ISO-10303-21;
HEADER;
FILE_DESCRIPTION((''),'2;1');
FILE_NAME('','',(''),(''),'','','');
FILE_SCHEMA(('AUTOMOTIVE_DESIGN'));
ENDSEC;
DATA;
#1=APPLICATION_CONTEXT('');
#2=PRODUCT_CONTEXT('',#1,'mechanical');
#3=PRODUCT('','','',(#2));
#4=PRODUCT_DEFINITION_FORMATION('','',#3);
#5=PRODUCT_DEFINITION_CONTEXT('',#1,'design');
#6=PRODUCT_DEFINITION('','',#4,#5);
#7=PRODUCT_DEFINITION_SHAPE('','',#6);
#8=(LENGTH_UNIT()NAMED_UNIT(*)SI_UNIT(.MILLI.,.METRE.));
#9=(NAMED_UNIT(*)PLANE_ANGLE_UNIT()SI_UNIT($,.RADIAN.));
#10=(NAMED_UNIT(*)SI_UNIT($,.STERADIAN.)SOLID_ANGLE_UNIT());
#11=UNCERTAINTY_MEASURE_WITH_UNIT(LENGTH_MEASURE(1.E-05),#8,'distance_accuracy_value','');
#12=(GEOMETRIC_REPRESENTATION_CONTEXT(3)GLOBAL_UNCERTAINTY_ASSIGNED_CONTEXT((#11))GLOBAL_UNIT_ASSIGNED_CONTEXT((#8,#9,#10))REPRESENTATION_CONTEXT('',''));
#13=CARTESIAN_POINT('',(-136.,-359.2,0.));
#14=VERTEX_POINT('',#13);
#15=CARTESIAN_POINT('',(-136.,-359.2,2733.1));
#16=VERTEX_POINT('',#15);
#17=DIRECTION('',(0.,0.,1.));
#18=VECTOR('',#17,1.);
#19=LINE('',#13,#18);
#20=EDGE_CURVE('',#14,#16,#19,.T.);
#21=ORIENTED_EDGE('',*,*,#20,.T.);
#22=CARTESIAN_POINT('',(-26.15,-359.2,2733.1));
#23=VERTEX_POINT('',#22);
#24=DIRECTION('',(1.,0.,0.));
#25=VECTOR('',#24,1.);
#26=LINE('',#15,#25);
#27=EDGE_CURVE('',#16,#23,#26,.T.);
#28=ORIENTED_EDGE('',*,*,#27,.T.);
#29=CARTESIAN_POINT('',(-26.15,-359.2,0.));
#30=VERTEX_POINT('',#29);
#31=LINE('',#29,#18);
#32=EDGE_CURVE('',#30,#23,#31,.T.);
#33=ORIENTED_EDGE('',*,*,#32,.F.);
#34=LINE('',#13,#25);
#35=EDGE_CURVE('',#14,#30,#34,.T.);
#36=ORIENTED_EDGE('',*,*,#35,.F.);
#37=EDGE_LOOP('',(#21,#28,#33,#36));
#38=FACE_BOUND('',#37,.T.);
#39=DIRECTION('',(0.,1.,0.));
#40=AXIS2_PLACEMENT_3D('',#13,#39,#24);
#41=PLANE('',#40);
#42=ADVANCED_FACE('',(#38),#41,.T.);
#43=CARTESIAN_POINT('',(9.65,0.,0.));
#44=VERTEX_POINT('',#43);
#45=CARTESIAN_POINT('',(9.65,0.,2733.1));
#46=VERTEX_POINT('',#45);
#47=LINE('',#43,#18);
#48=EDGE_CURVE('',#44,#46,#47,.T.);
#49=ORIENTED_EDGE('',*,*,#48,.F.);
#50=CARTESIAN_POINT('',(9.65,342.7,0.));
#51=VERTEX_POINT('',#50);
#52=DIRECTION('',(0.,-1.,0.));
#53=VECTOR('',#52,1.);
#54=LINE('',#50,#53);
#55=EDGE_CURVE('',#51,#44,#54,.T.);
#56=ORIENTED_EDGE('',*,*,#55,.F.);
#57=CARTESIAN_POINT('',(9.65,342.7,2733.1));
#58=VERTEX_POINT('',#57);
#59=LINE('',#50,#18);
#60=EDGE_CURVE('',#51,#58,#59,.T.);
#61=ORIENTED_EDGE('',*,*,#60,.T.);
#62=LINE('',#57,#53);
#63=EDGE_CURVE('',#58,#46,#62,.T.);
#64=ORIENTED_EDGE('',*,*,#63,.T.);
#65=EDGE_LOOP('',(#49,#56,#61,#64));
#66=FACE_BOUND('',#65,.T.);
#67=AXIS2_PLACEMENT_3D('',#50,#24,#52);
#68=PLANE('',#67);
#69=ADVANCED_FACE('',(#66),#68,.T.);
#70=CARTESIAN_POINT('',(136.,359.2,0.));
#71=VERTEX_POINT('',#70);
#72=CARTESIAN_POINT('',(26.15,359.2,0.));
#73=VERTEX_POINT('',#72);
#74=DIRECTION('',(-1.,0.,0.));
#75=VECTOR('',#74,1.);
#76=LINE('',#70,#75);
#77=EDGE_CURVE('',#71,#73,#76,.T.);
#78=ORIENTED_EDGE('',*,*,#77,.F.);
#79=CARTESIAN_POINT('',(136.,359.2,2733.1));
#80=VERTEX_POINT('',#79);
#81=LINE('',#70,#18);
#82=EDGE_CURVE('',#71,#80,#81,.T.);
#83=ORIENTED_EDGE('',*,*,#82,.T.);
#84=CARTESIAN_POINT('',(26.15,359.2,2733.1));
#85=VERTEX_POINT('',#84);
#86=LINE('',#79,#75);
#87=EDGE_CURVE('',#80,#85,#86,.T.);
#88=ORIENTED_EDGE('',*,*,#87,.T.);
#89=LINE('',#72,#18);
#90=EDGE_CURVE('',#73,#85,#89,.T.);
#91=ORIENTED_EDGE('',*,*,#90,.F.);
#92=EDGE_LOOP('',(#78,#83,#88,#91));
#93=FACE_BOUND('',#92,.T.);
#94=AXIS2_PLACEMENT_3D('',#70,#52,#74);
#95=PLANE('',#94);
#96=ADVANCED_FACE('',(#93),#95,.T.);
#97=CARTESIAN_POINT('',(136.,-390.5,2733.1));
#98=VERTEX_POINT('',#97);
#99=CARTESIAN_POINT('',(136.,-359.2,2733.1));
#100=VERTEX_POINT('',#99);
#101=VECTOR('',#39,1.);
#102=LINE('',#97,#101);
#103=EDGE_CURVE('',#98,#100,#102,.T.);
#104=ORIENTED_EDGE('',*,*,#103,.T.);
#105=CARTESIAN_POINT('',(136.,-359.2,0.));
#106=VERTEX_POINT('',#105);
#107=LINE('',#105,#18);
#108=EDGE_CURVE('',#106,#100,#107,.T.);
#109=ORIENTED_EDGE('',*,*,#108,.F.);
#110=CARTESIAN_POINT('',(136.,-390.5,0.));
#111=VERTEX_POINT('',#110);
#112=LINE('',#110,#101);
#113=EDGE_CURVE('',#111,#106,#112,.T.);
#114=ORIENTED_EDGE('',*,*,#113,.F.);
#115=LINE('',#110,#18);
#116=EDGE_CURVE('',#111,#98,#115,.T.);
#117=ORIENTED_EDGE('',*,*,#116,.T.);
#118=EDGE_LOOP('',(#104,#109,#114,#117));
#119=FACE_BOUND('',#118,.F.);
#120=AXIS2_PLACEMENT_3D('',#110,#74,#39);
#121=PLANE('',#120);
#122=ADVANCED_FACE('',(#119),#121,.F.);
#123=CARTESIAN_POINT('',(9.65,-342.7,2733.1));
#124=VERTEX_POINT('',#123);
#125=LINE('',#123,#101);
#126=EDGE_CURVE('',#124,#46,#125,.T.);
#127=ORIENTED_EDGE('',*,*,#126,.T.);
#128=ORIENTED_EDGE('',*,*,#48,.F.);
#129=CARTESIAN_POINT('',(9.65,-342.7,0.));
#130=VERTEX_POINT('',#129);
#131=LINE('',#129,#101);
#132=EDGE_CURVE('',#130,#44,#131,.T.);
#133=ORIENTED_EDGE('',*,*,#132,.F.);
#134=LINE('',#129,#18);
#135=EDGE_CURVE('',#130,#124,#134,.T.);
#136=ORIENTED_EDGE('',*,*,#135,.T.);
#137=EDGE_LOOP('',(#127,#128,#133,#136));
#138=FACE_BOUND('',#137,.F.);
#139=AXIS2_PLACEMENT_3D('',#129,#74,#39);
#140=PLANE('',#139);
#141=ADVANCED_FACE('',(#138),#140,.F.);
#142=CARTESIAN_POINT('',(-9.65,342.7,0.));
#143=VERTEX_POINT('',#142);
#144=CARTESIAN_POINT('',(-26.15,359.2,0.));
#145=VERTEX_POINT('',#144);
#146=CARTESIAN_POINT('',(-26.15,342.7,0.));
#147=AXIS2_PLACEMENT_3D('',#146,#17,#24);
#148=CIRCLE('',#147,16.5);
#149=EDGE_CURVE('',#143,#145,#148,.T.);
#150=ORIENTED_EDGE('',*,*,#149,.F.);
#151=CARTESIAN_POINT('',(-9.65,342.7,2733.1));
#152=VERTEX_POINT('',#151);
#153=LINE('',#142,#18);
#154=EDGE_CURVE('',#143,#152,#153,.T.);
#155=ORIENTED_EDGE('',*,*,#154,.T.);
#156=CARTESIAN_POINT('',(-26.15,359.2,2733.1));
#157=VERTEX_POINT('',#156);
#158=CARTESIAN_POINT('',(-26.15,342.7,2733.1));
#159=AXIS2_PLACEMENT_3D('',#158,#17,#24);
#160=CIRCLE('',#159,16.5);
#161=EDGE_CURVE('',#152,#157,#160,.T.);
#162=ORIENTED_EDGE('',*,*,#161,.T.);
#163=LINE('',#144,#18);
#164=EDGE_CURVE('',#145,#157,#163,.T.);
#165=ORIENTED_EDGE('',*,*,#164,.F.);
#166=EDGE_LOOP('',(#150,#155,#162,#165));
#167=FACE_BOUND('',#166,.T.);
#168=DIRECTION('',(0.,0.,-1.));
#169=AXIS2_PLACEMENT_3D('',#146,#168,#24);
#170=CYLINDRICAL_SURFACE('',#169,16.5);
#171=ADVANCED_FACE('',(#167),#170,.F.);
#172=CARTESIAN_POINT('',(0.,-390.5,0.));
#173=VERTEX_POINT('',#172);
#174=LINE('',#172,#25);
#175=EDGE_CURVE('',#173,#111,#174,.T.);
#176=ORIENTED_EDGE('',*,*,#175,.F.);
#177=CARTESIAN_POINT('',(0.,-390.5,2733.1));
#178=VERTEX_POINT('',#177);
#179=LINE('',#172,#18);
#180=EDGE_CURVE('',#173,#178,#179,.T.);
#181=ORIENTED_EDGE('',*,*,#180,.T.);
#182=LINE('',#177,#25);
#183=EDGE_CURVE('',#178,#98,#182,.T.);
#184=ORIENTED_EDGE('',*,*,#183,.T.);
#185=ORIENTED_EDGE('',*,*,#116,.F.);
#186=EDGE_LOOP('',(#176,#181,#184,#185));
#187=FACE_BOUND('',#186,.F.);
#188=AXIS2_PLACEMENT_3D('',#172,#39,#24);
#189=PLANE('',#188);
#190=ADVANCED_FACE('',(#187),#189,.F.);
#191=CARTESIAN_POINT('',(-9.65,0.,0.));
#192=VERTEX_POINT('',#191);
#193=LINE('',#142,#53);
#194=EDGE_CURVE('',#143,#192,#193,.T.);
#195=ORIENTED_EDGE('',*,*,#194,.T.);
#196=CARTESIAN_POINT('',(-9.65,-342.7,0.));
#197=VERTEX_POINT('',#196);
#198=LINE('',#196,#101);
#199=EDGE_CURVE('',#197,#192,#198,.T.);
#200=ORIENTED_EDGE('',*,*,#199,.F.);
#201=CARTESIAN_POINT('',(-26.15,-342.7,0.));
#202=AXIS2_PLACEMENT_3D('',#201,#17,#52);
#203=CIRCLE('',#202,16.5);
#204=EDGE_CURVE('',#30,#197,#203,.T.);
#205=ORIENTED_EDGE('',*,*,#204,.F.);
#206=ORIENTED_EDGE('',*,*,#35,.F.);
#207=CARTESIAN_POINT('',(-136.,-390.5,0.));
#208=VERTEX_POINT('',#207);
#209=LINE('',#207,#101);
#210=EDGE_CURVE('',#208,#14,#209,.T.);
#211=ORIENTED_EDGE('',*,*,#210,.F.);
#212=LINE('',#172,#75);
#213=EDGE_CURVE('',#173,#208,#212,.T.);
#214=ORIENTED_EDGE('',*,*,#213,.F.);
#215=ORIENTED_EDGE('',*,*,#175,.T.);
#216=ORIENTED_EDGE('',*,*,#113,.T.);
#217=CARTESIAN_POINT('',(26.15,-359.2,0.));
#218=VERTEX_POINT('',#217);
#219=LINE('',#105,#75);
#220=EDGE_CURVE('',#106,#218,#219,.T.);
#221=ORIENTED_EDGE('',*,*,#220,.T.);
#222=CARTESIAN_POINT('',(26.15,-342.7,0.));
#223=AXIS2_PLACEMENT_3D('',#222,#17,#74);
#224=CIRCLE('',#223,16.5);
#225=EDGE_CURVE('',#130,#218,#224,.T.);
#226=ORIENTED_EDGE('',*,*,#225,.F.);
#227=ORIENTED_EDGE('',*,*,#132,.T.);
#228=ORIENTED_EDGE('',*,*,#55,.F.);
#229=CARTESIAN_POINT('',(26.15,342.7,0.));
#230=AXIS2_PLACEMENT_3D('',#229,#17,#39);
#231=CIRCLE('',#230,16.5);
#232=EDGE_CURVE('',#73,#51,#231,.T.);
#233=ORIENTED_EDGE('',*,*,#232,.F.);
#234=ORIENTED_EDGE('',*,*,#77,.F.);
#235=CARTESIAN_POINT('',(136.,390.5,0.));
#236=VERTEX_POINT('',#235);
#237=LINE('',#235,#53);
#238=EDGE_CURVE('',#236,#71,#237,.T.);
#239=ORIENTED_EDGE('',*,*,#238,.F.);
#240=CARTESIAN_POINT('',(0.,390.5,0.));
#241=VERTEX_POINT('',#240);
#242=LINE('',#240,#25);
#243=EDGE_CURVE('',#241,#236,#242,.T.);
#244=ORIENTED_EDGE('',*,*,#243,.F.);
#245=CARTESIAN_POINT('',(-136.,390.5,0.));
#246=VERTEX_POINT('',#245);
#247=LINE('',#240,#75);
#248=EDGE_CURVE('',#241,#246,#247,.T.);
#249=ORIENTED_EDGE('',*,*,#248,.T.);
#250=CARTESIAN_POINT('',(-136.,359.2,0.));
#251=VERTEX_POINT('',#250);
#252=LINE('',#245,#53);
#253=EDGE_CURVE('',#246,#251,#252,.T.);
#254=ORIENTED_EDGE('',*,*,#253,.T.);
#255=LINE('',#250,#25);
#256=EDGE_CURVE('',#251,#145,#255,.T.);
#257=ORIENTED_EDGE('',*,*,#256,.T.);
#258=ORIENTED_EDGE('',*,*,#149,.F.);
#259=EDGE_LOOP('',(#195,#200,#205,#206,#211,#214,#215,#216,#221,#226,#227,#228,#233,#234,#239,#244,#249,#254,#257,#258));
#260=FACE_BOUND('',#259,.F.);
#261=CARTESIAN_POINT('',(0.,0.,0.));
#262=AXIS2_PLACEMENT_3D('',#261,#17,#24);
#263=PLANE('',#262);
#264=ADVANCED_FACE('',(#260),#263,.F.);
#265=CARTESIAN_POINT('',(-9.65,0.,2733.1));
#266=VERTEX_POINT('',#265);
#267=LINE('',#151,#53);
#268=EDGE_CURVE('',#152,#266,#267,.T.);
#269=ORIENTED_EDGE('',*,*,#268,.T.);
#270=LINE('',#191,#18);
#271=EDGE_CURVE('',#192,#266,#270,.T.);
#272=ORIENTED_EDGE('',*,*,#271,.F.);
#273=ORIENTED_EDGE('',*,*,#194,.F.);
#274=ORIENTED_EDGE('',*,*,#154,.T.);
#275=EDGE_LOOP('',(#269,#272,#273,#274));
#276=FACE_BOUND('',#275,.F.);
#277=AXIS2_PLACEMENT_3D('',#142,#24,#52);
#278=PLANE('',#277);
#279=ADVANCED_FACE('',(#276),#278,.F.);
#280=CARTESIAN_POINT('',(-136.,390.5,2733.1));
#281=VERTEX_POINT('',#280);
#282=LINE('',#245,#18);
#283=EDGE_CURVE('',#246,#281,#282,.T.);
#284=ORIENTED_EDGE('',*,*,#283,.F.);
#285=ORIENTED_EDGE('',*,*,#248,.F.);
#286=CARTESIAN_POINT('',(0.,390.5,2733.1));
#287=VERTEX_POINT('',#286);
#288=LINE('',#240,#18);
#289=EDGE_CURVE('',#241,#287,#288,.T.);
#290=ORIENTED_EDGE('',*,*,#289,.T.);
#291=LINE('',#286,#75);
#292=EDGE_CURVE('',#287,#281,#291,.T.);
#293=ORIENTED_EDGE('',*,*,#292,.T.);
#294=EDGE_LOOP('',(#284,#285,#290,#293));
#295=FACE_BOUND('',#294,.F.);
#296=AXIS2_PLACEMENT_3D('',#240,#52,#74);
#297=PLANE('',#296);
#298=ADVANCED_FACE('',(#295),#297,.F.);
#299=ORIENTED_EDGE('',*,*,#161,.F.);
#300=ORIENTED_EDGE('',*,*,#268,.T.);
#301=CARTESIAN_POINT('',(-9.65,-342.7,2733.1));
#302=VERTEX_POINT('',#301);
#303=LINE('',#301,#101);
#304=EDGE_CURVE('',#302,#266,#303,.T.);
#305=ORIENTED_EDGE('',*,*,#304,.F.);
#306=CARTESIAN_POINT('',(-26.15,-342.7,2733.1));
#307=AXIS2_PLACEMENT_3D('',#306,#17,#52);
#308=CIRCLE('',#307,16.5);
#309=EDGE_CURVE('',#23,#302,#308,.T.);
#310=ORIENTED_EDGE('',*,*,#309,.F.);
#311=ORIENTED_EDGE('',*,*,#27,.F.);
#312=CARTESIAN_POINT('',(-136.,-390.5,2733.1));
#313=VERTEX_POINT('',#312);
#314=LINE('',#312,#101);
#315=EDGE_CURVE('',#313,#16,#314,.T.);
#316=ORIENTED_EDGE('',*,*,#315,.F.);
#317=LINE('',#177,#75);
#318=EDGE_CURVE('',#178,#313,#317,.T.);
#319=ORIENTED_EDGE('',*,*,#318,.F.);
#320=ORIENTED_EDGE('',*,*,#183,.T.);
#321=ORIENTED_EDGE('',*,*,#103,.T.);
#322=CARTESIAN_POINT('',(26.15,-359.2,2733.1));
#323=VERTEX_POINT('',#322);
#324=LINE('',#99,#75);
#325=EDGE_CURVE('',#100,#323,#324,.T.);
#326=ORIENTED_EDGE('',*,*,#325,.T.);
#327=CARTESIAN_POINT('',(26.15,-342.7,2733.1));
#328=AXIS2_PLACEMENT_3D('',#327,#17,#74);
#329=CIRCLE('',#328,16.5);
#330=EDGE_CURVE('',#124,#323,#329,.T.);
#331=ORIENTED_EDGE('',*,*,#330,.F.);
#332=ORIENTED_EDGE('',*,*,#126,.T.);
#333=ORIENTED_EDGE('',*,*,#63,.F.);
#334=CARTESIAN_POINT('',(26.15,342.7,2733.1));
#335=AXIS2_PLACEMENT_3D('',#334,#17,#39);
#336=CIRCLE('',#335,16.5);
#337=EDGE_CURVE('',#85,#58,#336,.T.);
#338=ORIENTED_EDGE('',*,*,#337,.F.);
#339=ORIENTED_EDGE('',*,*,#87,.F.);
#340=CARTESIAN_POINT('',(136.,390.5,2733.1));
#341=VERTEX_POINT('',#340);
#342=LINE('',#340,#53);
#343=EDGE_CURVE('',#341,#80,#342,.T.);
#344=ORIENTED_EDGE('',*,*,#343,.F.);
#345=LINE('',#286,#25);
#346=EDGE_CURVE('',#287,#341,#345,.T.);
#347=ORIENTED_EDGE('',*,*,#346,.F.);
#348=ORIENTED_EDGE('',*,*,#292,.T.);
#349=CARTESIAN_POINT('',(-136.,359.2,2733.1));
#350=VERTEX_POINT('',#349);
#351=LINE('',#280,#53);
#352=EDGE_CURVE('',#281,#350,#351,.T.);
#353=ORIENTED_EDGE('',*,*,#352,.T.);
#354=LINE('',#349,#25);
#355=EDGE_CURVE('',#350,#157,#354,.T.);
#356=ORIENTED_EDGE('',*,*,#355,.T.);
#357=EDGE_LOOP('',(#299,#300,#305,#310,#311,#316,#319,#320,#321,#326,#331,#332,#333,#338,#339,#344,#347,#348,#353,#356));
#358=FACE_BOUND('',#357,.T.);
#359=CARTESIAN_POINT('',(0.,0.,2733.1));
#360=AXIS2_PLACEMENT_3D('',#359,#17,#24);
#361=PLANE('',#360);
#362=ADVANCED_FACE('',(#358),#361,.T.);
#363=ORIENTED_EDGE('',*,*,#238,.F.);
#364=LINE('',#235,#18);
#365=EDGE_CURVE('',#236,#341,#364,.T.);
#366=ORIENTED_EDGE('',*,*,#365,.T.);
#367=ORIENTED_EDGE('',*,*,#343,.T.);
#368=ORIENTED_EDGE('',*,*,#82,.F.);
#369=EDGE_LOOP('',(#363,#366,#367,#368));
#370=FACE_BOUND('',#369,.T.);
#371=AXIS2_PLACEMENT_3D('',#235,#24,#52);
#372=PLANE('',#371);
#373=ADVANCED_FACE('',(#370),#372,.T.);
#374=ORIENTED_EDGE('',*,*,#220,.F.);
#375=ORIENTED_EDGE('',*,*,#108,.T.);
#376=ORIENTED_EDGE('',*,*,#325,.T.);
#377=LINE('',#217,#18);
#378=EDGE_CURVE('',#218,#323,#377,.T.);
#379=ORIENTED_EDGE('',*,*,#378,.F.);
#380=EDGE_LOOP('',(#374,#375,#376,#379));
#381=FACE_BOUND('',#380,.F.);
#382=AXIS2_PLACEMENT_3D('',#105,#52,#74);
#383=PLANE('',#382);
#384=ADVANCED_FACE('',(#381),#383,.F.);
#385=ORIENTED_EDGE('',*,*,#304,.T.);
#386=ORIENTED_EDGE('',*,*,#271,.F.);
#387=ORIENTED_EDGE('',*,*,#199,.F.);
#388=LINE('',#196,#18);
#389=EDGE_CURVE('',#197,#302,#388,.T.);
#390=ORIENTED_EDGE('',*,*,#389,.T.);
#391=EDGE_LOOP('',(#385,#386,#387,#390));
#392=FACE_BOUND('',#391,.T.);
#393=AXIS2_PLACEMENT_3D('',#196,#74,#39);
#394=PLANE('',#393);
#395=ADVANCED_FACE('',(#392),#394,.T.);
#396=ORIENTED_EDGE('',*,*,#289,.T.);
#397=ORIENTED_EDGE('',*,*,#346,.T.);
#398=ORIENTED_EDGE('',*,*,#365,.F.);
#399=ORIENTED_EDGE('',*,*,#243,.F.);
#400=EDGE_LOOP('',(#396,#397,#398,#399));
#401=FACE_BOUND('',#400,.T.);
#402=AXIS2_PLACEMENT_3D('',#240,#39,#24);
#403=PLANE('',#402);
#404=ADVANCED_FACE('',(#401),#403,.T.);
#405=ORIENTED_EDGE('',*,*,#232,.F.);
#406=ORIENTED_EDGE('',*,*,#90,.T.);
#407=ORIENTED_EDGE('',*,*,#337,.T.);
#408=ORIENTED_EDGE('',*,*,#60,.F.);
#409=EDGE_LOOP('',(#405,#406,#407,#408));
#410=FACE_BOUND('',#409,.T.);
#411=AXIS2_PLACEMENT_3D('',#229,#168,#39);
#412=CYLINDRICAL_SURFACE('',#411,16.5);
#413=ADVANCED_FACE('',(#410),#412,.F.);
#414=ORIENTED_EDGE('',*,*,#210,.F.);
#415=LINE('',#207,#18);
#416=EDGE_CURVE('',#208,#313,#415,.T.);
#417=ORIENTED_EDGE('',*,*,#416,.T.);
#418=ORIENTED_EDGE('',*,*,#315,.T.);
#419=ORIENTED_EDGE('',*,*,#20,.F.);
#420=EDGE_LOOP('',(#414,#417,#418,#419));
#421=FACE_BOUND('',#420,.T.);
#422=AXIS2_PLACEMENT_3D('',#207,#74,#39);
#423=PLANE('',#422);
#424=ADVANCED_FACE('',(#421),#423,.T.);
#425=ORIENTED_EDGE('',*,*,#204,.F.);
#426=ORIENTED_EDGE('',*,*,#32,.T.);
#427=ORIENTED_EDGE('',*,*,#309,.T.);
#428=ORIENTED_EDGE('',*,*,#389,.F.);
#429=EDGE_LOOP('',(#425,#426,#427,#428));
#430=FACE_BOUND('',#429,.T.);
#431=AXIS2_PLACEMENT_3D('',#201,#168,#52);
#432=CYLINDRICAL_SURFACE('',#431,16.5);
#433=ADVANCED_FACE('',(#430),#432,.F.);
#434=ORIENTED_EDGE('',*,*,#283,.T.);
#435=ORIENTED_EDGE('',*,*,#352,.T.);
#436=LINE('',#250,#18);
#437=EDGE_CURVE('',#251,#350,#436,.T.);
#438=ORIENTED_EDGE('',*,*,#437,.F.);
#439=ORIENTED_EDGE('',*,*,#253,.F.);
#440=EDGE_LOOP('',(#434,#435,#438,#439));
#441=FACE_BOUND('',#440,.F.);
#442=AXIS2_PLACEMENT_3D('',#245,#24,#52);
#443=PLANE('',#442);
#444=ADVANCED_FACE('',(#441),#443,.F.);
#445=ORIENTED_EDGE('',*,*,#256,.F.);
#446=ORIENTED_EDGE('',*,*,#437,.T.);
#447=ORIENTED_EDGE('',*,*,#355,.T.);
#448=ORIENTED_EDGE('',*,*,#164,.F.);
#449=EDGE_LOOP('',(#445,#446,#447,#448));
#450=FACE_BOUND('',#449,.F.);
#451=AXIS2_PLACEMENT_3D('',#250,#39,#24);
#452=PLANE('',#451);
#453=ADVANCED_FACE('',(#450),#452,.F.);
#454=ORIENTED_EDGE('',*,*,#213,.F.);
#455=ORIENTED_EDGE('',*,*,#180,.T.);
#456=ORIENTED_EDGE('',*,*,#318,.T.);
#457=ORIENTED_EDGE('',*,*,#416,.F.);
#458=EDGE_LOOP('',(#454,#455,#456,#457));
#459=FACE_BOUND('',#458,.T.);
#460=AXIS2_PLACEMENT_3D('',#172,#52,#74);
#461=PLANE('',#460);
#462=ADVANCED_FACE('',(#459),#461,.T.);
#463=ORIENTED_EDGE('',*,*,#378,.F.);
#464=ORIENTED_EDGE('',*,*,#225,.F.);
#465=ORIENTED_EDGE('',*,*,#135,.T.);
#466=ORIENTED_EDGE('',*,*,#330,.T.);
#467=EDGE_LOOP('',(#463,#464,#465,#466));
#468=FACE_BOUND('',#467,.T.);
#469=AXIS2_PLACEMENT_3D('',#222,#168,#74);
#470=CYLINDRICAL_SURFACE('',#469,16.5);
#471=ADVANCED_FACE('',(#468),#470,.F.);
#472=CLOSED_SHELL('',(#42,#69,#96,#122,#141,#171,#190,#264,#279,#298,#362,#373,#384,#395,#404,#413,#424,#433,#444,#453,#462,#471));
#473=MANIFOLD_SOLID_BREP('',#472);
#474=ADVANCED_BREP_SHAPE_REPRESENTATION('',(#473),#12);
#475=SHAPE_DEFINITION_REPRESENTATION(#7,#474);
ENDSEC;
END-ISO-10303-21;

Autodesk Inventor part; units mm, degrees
ref_plane "YZ Plane" through (0, 0, 0) normal (1, 0, 0) x (0, 1, 0)
ref_plane "Start plane" through (0, 0, 0) normal (0, 0, 1) x (1, 0, 0)
ref_plane "End plane" through (0, 0, 2733.1) normal (0, 0, 1) x (1, 0, 0)
sketch "Sketch" plane through (0, 0, 0) normal (0, 0, 1) x (1, 0, 0)
  line L0 (-136, -390.5) -> (-136, -359.2)
  line L1 (-136, -359.2) -> (-26.15, -359.2)
  line L2 (-9.65, -342.7) -> (-9.65, 0)
  line L3 (-9.65, 0) -> (0, 0) construction
  line L4 (0, 0) -> (0, -390.5) construction
  line L5 (0, -390.5) -> (-136, -390.5)
  line L6 (-60, 0) -> (80, 0) construction
  line L7 (0, -60) -> (0, 80) construction
  line L8 (136, -390.5) -> (136, -359.2)
  line L9 (136, -359.2) -> (26.15, -359.2)
  line L10 (9.65, -342.7) -> (9.65, 0)
  line L11 (9.65, 0) -> (0, 0) construction
  line L12 (0, -390.5) -> (136, -390.5)
  line L13 (-136, 390.5) -> (-136, 359.2)
  line L14 (-136, 359.2) -> (-26.15, 359.2)
  line L15 (-9.65, 342.7) -> (-9.65, 0)
  line L16 (0, 390.5) -> (-136, 390.5)
  line L17 (136, 390.5) -> (136, 359.2)
  line L18 (136, 359.2) -> (26.15, 359.2)
  line L19 (0, 390.5) -> (136, 390.5)
  line L20 (9.65, 342.7) -> (9.65, 0)
  arc A0 (-9.65, 342.7) -> (-26.15, 359.2) centre (-26.15, 342.7) ccw
  arc A1 (26.15, 359.2) -> (9.65, 342.7) centre (26.15, 342.7) ccw
  arc A2 (9.65, -342.7) -> (26.15, -359.2) centre (26.15, -342.7) ccw
  arc A3 (-26.15, -359.2) -> (-9.65, -342.7) centre (-26.15, -342.7) ccw
  line L21 (0, 108) -> (0, -88) construction
  line L22 (-88, 0) -> (108, 0) construction
  point P0 (-9.65, -359.2)
  point P1 (9.65, -359.2)
  point P2 (-9.65, 359.2)
  point P3 (9.65, 359.2)
  dimension "d1" = 390.5
  dimension "d2" = 31.3
  dimension "d3" = 136
  dimension "d4" = 9.65
  dimension "d10" = 16.5
extrude "Body" add sketch "Sketch" along normal up to surface (2733.1 mm away) from surface at 0
sketch "Sketch4" plane through (0, 0, 0) normal (0, 0, 1) x (1, 0, 0)
  line L0 (0, 0) -> (10, 0)
ref_plane "Work Plane3" through (0, 0, 0) normal (0, -1, 0) x (1, 0, 0)
sketch "Sketch5" plane through (0, 0, 0) normal (0, -1, 0) x (1, 0, 0)
  line L0 (-2, 0) -> (12, 0) projected
  line L1 (-2, 2733.1) -> (12, 2733.1) projected
  dimension "d14" = 2733.1
equation "\"d1\" = 0.5 * G_H"
equation "\"d2\" = G_T1"
equation "\"d3\" = 0.5 * G_W"
equation "\"d4\" = 0.5 * G_T"
equation "\"d10\" = G_IR"
equation "\"d5\" = G_L"
equation "\"G_W\" = 272"
equation "\"G_H\" = 781"
equation "\"G_T\" = 19.3"
equation "\"G_T1\" = 31.3"
equation "\"G_IR\" = 16.5"
equation "\"G_L\" = d14"
equation "\"G_OFFSET_START\" = 0"
equation "\"G_OFFSET_END\" = 0"
equation "\"d12\" = G_OFFSET_END + B_L"
equation "\"B_L\" = 2733.1"
properties part number "AS 3679-1990 - 760 UB - 244 - 2733.1" material "Steel, Mild"
